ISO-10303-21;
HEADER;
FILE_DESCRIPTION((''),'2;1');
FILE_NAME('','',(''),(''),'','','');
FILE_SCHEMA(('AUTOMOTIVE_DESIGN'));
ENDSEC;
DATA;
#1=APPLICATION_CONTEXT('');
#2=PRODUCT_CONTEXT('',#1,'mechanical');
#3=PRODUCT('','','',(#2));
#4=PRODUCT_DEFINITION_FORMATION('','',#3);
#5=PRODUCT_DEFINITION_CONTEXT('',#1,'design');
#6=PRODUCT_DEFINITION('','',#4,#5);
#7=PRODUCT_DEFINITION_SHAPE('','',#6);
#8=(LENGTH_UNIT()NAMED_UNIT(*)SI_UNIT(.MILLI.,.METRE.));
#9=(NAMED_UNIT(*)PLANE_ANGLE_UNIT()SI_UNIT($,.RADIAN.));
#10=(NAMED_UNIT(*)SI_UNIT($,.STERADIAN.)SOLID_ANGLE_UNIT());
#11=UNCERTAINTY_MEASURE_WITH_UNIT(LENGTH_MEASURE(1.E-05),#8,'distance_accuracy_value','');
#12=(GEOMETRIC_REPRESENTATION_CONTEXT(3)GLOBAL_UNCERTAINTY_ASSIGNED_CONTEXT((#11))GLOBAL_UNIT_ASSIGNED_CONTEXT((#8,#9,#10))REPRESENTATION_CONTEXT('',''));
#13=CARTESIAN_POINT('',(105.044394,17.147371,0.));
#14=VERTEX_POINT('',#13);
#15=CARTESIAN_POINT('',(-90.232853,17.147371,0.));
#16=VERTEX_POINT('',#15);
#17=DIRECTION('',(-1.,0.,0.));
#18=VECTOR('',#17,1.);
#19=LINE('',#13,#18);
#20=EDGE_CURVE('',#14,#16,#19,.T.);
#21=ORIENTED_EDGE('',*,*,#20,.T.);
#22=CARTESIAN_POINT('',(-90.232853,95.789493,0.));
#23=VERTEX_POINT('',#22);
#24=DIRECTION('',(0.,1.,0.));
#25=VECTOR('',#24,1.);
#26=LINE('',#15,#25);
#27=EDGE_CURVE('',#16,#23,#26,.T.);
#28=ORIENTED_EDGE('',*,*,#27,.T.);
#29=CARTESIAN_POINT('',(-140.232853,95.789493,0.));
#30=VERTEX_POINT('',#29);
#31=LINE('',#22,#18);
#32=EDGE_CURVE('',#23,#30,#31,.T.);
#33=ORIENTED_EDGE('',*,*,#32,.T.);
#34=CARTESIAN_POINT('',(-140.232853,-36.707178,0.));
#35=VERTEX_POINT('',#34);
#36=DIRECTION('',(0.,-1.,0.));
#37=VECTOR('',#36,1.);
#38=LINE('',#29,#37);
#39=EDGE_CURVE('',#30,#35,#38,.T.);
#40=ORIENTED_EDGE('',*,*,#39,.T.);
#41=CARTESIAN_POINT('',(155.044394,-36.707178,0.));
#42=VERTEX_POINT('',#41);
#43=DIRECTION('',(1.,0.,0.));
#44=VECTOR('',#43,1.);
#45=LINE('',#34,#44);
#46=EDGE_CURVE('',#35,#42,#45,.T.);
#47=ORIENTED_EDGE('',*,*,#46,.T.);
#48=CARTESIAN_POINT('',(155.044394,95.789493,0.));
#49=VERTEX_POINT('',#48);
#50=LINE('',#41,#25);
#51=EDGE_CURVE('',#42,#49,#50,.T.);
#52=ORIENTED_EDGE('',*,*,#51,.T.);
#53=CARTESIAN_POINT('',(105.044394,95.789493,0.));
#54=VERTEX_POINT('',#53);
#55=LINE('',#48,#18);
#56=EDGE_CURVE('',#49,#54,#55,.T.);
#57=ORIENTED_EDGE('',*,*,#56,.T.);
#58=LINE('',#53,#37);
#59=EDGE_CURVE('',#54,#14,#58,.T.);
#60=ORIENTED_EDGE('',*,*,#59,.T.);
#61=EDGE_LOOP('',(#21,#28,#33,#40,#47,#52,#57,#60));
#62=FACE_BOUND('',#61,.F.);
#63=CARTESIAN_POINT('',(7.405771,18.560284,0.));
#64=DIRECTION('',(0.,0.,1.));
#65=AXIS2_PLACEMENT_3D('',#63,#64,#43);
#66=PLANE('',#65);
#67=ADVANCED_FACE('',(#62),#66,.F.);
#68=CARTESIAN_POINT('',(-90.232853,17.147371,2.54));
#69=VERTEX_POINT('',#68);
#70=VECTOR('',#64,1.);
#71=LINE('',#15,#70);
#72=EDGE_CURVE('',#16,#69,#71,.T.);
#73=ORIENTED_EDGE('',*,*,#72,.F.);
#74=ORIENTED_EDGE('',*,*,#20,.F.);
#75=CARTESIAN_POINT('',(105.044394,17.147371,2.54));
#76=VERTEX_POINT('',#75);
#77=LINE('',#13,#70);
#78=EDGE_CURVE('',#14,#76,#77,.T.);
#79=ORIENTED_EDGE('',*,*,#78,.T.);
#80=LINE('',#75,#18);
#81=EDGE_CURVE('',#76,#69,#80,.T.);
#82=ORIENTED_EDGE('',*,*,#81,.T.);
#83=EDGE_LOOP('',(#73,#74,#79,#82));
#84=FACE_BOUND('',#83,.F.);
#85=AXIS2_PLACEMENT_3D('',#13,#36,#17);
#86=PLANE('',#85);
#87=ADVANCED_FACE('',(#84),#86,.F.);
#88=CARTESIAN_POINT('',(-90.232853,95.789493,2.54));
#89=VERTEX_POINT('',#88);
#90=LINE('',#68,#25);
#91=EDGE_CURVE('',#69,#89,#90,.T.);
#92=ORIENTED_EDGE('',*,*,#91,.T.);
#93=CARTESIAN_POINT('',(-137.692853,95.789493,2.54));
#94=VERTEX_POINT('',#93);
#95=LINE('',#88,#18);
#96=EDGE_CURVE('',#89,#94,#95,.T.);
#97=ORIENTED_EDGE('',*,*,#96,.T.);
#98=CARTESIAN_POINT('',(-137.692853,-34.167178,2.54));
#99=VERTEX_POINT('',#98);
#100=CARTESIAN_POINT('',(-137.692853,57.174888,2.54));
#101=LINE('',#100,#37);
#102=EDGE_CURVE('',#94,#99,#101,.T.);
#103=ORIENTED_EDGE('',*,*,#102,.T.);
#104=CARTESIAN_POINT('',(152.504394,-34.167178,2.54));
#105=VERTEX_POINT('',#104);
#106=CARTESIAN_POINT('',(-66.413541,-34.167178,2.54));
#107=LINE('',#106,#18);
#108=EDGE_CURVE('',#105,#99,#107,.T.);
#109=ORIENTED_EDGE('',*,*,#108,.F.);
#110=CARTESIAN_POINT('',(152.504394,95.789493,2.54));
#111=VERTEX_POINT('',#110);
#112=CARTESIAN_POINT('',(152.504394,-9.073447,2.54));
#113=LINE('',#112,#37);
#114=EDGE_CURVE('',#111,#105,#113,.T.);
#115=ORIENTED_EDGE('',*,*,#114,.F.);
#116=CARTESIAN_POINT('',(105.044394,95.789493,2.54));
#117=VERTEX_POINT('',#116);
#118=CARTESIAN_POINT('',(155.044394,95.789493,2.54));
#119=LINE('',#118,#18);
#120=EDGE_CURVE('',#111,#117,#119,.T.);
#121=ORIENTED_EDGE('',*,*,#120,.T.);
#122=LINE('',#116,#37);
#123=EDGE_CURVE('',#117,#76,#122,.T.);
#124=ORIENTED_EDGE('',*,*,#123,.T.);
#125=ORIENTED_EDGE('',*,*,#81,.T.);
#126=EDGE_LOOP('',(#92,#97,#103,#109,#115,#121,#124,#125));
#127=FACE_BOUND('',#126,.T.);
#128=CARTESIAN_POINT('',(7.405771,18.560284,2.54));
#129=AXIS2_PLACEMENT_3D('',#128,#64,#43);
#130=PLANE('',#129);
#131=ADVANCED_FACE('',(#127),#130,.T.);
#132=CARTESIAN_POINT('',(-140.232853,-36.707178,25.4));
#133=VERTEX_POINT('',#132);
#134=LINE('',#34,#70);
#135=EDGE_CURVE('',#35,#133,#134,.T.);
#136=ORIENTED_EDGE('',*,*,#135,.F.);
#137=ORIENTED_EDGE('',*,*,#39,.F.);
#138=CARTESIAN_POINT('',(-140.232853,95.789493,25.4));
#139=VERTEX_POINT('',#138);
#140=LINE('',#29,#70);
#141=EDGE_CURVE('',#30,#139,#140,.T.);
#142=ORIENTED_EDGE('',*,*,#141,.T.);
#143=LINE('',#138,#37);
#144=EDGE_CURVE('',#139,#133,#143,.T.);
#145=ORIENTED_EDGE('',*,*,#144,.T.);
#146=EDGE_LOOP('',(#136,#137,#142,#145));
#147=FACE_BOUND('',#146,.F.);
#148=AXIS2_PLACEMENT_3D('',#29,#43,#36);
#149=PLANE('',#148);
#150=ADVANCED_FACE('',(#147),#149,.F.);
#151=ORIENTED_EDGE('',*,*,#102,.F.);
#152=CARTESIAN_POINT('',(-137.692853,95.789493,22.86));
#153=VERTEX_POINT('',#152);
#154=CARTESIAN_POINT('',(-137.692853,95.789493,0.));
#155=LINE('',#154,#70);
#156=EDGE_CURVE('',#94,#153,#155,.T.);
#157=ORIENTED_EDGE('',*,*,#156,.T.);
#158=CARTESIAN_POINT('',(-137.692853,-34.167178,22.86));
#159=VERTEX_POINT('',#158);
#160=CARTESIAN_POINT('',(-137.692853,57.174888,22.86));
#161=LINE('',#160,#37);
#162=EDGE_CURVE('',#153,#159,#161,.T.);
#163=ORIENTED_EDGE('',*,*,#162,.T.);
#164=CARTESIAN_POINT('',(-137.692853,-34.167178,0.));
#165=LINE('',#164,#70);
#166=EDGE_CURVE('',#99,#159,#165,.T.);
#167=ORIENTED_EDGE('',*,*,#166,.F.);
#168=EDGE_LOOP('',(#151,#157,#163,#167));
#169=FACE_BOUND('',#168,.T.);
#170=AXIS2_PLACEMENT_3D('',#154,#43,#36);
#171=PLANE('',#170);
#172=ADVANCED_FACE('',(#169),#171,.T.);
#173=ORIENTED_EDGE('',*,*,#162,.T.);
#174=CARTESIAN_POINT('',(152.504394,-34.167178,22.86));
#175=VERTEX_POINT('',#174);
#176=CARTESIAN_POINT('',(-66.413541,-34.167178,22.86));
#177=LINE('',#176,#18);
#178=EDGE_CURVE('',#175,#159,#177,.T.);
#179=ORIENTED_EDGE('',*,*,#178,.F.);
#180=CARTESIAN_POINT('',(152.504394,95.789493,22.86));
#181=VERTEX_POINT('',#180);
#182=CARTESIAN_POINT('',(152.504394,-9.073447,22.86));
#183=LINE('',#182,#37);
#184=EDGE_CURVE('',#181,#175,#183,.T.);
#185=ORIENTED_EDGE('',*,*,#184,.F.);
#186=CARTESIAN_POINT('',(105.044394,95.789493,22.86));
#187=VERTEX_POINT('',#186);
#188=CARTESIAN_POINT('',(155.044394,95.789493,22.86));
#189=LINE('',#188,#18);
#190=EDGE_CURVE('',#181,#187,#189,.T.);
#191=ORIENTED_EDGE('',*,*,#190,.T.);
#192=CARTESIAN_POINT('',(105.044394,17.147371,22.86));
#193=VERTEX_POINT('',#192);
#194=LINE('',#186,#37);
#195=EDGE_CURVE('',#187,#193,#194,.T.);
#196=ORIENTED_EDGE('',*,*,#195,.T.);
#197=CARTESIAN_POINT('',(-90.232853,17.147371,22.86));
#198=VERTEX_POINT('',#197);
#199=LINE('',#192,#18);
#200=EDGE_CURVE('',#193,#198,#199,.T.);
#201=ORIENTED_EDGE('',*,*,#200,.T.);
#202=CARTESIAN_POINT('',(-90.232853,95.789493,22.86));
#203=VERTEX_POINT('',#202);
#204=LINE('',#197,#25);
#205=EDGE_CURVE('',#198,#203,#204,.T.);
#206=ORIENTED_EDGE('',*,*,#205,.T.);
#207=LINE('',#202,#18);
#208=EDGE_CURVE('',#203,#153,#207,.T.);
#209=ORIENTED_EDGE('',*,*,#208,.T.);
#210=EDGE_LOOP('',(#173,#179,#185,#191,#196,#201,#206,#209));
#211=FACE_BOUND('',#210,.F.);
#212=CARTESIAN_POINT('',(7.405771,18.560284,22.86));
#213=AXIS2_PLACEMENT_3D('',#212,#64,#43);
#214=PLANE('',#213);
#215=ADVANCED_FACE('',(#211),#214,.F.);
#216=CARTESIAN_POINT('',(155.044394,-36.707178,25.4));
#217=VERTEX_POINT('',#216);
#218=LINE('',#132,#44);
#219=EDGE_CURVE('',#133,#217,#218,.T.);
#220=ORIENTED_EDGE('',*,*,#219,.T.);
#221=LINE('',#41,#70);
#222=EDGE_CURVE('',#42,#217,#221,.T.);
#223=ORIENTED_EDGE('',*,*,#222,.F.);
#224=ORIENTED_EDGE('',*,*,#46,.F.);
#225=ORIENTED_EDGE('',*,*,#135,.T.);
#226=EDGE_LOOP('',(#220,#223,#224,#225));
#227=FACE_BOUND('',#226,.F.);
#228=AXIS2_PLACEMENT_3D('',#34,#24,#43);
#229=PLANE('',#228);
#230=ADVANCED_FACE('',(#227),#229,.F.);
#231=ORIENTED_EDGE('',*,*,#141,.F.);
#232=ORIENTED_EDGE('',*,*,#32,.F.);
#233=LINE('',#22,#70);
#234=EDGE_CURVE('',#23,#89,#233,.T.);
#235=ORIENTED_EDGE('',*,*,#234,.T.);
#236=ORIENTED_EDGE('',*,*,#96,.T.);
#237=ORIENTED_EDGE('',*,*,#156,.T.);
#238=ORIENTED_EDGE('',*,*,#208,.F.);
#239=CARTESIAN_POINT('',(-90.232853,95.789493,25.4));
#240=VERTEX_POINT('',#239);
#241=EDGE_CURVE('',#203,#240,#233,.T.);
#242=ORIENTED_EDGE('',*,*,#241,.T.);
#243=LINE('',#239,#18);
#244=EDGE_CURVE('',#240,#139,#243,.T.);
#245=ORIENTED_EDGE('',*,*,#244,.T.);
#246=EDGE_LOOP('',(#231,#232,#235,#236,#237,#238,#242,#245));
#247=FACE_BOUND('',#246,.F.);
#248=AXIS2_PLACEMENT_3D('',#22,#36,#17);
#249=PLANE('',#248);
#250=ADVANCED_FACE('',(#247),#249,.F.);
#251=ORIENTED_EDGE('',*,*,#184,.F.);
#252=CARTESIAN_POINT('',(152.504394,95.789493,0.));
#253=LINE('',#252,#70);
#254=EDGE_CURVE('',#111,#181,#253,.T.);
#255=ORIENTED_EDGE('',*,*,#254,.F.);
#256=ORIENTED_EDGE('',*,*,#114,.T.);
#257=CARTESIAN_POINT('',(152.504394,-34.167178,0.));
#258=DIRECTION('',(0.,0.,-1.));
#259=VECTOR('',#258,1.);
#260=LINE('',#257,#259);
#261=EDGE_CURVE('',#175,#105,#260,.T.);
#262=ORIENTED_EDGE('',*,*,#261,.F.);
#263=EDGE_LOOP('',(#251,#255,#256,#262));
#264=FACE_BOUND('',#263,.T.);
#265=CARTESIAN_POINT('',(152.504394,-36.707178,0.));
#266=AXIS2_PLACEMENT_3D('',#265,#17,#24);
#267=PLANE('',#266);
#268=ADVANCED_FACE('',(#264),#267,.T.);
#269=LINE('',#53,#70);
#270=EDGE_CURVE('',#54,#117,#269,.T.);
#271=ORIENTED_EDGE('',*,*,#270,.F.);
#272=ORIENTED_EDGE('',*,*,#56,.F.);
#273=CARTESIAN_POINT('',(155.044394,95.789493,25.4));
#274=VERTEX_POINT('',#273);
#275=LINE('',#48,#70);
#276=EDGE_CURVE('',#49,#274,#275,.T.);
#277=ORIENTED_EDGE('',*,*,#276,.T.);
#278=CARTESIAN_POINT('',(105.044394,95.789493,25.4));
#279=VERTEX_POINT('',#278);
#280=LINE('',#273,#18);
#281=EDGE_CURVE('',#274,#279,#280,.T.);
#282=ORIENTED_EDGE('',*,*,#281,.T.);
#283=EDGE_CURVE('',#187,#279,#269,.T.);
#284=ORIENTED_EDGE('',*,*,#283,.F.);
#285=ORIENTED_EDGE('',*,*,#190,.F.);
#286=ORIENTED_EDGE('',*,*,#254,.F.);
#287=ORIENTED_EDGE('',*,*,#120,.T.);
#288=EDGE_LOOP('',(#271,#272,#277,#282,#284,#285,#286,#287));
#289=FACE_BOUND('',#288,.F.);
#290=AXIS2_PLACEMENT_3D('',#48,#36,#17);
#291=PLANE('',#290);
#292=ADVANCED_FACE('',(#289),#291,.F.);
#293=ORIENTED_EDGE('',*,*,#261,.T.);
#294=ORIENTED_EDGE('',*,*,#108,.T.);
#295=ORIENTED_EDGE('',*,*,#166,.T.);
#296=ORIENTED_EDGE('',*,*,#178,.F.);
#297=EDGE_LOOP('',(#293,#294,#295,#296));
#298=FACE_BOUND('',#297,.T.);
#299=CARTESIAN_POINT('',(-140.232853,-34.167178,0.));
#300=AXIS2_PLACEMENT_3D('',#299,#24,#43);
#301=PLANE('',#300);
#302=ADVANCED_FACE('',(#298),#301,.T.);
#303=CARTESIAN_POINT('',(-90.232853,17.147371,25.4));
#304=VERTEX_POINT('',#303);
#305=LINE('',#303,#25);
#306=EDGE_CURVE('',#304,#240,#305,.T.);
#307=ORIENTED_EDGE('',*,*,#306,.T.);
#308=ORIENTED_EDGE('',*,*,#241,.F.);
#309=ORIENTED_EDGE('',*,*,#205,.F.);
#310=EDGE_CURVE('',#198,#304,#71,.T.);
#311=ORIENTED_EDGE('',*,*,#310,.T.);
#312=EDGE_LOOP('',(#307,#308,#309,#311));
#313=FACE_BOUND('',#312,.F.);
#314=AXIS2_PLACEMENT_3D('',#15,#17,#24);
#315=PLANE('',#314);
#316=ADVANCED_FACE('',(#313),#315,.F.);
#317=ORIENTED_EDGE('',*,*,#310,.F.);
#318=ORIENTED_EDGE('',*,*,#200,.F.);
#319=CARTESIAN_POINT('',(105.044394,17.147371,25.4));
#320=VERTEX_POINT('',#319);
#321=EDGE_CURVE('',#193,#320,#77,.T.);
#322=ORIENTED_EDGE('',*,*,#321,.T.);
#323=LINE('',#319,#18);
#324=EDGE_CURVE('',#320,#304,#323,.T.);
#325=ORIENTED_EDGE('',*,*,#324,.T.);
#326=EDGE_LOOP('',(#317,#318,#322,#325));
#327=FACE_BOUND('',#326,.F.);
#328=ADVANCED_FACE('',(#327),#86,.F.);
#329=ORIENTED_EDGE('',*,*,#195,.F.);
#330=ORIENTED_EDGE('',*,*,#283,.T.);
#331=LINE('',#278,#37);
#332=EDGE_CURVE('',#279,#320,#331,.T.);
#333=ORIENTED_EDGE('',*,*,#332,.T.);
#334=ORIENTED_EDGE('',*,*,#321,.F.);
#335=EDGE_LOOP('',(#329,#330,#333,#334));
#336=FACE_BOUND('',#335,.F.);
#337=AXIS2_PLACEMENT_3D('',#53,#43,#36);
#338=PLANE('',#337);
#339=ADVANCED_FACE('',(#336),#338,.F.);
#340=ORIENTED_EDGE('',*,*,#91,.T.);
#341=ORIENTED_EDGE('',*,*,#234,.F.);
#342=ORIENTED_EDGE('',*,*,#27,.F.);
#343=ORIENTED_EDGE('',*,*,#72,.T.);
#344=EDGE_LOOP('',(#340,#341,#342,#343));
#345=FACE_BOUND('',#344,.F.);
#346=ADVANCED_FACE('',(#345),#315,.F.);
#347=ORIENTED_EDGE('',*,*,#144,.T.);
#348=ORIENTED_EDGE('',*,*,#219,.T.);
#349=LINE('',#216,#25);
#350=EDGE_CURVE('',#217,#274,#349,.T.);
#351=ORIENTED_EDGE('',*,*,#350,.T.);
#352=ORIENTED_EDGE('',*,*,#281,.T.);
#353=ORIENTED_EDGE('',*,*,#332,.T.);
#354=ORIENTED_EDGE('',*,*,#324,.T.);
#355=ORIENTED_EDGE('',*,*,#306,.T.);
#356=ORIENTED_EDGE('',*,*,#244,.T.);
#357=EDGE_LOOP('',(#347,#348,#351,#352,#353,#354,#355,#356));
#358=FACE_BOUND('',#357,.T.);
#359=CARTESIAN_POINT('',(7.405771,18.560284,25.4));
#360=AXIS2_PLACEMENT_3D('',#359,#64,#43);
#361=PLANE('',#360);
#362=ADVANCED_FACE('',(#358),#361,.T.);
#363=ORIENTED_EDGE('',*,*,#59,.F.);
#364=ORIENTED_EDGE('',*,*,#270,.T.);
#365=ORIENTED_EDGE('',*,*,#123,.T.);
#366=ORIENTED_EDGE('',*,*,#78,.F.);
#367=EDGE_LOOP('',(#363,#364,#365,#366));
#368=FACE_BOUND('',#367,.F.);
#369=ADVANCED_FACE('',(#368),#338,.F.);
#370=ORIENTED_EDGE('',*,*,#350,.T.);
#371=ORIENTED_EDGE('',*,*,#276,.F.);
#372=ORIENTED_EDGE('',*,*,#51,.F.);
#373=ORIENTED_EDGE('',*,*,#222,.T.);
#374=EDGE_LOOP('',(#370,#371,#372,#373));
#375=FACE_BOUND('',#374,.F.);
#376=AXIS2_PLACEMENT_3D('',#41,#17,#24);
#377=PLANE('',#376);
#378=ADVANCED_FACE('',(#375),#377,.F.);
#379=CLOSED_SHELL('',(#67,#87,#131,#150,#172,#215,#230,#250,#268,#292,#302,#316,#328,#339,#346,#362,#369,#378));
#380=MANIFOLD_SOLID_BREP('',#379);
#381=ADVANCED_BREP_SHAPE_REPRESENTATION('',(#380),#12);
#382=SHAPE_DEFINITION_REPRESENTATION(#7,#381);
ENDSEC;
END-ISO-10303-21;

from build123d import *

# Parameters (mm, degrees)
F1_DEPTH = 25.4
F2_T     = -2.54


with BuildPart() as f1:
    # F0 (on Top) → F1 (new body)
    with BuildSketch(Plane.XY):
        Polygon((-90.232853, 95.789493), (-140.232853, 95.789493), (-140.232853, -36.707178), (155.044394, -36.707178), (155.044394, 95.789493), (105.044394, 95.789493), (105.044394, 17.147371), (-90.232853, 17.147371), align=None)
    extrude(amount=F1_DEPTH)

    # F2
    f2_openings = [f1.faces().sort_by_distance(p)[0] for p in [
        (-115.232853, 95.789493, 12.7),
        (7.405771, 17.147371, 12.7),
        (-90.232853, 56.468432, 12.7),
        (105.044394, 56.468432, 12.7),
        (130.044394, 95.789493, 12.7),
    ]]
    offset(amount=F2_T, openings=f2_openings)


solid = f1.part
